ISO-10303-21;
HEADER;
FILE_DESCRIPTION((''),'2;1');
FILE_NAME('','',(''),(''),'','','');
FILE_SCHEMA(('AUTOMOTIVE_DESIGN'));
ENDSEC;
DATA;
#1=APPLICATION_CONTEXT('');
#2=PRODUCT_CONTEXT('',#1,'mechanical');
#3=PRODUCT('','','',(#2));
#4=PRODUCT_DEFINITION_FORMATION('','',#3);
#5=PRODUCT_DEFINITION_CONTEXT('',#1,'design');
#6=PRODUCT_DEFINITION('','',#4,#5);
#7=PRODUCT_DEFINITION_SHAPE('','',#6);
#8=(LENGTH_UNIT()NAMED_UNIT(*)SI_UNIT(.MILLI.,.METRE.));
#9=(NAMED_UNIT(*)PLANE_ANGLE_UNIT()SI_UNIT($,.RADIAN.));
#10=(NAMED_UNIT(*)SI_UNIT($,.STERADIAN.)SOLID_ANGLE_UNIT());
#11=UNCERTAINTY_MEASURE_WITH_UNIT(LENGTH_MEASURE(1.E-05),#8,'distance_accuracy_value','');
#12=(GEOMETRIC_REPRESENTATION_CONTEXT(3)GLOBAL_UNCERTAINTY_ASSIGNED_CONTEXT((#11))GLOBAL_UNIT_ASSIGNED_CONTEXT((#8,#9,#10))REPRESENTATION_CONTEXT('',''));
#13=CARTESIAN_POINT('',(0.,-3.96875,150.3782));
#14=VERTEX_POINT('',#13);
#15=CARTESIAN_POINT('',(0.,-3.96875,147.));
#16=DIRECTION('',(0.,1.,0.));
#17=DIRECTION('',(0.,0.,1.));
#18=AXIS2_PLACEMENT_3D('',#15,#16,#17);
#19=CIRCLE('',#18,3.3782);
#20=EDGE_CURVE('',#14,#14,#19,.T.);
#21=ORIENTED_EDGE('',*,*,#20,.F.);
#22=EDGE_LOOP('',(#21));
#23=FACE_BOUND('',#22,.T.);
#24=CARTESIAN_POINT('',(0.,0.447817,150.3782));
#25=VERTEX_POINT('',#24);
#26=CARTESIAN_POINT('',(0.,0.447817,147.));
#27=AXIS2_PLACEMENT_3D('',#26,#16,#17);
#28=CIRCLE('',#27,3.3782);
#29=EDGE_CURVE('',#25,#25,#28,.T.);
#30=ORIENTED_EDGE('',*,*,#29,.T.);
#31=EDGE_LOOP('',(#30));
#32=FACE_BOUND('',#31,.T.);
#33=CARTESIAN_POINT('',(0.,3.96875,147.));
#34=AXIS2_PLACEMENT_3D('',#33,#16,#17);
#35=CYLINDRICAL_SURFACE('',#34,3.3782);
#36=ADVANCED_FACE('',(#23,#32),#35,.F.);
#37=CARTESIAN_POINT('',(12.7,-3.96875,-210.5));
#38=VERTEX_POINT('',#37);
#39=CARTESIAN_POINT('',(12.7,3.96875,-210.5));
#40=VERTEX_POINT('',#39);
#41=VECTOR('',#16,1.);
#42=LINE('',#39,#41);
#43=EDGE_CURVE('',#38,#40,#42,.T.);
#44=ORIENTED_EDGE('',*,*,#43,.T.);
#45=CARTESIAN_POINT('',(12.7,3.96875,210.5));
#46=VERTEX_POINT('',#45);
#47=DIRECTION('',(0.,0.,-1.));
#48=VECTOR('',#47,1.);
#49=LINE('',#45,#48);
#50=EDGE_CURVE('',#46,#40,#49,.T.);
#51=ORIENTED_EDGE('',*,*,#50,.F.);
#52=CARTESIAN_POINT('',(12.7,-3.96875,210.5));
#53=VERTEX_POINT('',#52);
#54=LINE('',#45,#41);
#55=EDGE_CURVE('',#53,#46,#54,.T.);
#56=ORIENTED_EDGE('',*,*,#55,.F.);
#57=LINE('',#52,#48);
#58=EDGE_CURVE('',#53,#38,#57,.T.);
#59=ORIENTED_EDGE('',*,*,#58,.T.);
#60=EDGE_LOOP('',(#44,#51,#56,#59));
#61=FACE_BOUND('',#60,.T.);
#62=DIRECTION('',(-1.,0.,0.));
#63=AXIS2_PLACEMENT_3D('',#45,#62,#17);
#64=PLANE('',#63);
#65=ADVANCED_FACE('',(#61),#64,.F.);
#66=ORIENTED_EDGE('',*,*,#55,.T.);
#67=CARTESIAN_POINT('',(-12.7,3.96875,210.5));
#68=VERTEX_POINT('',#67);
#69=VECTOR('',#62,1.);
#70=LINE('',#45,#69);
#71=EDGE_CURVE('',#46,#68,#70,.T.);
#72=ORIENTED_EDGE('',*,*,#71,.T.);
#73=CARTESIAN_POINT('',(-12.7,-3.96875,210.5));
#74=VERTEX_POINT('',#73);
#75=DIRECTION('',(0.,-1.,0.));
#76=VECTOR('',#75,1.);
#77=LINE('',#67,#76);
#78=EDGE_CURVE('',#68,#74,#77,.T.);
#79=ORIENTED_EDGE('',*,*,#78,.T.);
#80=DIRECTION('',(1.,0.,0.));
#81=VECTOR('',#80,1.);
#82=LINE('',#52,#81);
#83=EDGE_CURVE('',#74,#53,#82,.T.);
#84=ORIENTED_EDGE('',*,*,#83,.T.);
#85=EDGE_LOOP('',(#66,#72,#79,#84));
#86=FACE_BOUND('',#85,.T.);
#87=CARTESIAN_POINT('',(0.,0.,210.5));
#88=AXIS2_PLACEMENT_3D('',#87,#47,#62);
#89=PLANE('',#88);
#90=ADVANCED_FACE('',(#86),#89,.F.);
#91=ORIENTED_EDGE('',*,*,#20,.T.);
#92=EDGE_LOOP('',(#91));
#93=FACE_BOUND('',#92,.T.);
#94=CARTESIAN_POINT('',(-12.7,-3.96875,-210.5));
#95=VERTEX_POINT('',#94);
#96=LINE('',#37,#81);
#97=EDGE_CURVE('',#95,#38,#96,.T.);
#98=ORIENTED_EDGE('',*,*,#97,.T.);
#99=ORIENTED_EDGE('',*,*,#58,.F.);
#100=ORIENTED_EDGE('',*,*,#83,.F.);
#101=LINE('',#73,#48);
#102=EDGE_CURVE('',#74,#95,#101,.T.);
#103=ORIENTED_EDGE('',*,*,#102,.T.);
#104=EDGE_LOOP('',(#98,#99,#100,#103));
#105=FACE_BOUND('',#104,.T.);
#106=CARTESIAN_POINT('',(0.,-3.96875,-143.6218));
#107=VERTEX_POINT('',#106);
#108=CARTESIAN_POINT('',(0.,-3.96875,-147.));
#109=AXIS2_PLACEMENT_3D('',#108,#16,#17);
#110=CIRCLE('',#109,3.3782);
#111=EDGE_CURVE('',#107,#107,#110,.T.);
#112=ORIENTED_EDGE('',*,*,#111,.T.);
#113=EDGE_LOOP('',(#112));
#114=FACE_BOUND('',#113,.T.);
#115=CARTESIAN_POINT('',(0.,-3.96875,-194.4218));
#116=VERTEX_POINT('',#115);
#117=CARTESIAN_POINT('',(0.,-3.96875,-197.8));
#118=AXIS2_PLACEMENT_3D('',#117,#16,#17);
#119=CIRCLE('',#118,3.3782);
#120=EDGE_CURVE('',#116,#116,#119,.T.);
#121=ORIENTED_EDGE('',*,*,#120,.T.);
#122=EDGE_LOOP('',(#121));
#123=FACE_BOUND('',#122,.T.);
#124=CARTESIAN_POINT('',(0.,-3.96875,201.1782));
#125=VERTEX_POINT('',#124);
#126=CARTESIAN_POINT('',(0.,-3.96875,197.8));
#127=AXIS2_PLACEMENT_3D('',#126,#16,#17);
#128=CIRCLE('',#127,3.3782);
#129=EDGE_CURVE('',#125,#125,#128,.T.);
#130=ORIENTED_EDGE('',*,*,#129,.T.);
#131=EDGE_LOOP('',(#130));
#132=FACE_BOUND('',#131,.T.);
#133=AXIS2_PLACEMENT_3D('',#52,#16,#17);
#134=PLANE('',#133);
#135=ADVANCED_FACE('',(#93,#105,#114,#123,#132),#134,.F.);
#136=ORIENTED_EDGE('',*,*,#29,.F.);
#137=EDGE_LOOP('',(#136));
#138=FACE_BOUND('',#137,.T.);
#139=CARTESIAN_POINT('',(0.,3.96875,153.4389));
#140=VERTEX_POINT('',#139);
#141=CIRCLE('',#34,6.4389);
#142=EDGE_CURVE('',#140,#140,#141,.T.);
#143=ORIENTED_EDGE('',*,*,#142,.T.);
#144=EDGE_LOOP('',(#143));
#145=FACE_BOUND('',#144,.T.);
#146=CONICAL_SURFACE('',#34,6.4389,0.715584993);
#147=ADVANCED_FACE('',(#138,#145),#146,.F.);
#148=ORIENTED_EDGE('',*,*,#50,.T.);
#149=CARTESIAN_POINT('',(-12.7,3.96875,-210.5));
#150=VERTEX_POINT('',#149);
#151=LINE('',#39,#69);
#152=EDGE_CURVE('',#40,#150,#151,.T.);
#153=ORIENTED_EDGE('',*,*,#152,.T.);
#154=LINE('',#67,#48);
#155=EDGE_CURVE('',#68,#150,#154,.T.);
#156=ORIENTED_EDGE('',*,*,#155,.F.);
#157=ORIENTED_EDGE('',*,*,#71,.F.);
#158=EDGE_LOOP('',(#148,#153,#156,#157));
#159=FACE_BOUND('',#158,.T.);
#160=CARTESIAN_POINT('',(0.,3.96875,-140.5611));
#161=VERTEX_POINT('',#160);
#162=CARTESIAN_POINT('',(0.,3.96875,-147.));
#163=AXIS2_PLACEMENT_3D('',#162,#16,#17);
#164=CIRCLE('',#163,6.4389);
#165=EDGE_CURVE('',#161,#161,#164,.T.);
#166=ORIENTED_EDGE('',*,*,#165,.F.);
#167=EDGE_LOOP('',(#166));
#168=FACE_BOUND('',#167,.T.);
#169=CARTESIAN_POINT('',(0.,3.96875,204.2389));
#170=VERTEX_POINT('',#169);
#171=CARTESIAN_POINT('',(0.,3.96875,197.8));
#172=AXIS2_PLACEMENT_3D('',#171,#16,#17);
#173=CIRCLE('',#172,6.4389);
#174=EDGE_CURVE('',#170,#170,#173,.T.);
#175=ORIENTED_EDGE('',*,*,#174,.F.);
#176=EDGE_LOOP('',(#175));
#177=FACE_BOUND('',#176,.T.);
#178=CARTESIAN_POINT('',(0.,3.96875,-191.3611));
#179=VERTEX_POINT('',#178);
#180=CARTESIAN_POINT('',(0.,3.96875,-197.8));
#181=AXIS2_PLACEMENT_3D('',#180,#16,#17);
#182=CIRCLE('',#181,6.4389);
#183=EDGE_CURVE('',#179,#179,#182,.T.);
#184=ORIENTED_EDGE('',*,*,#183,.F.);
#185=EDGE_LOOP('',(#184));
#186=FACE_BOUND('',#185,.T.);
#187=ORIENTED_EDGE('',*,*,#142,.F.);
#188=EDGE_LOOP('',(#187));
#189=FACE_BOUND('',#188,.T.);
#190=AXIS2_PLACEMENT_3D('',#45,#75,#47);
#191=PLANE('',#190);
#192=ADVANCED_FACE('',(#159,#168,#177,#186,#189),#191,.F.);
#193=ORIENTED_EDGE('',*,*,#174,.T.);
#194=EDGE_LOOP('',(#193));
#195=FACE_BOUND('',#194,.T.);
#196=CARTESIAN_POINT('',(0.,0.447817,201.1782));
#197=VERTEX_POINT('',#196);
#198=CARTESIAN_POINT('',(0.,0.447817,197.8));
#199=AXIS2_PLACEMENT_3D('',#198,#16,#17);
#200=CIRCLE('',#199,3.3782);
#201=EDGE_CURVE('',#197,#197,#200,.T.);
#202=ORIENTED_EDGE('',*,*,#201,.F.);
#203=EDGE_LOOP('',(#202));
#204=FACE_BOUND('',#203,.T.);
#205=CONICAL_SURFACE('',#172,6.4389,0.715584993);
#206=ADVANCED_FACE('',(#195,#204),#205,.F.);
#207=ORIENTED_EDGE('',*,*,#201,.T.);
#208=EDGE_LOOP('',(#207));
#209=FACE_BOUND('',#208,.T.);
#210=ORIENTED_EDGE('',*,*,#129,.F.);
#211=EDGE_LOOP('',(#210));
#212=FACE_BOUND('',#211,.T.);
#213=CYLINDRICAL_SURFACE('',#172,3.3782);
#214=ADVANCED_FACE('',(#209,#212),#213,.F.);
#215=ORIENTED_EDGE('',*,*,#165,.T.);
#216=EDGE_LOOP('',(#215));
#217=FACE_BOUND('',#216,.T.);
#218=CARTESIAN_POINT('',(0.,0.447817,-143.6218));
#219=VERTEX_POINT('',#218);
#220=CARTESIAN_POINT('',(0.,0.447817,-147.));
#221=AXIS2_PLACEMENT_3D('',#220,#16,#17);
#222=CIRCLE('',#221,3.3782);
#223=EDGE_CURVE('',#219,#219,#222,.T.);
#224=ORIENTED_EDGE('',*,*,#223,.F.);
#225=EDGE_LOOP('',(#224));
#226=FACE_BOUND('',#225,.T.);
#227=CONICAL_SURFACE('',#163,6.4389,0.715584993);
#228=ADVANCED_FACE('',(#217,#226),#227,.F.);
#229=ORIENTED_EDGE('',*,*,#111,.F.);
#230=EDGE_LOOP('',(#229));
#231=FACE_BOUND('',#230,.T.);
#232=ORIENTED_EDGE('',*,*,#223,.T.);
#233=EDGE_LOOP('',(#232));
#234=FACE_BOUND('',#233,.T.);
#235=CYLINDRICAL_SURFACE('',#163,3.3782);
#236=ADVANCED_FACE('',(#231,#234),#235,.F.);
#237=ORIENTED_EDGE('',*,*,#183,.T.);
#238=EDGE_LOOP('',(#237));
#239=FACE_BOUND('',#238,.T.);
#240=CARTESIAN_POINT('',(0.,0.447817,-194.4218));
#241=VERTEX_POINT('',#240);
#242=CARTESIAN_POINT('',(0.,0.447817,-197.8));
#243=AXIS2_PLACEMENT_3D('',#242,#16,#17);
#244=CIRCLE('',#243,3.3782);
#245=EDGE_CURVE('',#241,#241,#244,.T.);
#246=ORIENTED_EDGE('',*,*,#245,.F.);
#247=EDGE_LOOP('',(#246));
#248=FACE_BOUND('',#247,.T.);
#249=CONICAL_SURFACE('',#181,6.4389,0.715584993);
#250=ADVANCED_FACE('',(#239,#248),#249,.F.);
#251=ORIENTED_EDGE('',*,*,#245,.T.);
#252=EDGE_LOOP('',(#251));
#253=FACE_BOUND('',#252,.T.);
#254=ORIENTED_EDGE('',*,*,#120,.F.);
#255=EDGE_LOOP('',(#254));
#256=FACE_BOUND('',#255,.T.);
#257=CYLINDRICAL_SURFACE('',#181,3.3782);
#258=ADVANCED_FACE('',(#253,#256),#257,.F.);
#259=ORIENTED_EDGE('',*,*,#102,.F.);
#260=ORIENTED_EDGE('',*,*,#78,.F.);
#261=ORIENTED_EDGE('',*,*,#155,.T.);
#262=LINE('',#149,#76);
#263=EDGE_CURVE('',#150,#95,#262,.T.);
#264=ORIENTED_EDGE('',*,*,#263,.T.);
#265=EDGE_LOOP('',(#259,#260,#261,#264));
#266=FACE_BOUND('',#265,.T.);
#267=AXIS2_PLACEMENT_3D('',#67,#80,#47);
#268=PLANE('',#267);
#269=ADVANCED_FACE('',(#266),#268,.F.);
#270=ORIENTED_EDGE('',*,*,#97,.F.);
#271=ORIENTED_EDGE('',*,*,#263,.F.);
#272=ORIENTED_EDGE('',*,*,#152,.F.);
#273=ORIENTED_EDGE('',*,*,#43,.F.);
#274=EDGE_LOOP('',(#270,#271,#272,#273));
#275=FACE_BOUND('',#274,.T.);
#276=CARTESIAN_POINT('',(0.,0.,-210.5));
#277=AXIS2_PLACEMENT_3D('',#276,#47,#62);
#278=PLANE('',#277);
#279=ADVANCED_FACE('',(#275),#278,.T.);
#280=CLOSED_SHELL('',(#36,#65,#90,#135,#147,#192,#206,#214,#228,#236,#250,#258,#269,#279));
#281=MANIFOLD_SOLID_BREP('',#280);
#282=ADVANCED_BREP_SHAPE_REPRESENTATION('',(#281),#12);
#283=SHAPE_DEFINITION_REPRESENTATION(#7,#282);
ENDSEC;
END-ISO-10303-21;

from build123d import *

# Parameters (mm, degrees)
SKETCH3_W                                        = 25.4
SKETCH3_H                                        = 7.9375
BOSS_EXTRUDE1_DEPTH                              = 210.5
CSK_FOR_1_4_FLAT_HEAD_MACHINE_SCREW1_D           = 6.7564
CSK_FOR_1_4_FLAT_HEAD_MACHINE_SCREW1_CSINK_D     = 12.8778
CSK_FOR_1_4_FLAT_HEAD_MACHINE_SCREW1_CSINK_ANGLE = 82


with BuildPart() as part:
    # Sketch3 → Boss-Extrude1 (new, symmetric)
    with BuildSketch(Plane.XY):
        Rectangle(SKETCH3_W, SKETCH3_H)
    extrude(amount=BOSS_EXTRUDE1_DEPTH, both=True)

    # CSK for 1/4 Flat Head Machine Screw1 (through all)
    with Locations(Plane(origin=(0, 3.96875, 0), x_dir=(1, 0, 0), z_dir=(0, 1, 0))):
        with Locations((0, 197.8), (0, -197.8), (0, 147), (0, -147)):
            CounterSinkHole(CSK_FOR_1_4_FLAT_HEAD_MACHINE_SCREW1_D / 2, CSK_FOR_1_4_FLAT_HEAD_MACHINE_SCREW1_CSINK_D / 2, counter_sink_angle=CSK_FOR_1_4_FLAT_HEAD_MACHINE_SCREW1_CSINK_ANGLE)


solid = part.part
